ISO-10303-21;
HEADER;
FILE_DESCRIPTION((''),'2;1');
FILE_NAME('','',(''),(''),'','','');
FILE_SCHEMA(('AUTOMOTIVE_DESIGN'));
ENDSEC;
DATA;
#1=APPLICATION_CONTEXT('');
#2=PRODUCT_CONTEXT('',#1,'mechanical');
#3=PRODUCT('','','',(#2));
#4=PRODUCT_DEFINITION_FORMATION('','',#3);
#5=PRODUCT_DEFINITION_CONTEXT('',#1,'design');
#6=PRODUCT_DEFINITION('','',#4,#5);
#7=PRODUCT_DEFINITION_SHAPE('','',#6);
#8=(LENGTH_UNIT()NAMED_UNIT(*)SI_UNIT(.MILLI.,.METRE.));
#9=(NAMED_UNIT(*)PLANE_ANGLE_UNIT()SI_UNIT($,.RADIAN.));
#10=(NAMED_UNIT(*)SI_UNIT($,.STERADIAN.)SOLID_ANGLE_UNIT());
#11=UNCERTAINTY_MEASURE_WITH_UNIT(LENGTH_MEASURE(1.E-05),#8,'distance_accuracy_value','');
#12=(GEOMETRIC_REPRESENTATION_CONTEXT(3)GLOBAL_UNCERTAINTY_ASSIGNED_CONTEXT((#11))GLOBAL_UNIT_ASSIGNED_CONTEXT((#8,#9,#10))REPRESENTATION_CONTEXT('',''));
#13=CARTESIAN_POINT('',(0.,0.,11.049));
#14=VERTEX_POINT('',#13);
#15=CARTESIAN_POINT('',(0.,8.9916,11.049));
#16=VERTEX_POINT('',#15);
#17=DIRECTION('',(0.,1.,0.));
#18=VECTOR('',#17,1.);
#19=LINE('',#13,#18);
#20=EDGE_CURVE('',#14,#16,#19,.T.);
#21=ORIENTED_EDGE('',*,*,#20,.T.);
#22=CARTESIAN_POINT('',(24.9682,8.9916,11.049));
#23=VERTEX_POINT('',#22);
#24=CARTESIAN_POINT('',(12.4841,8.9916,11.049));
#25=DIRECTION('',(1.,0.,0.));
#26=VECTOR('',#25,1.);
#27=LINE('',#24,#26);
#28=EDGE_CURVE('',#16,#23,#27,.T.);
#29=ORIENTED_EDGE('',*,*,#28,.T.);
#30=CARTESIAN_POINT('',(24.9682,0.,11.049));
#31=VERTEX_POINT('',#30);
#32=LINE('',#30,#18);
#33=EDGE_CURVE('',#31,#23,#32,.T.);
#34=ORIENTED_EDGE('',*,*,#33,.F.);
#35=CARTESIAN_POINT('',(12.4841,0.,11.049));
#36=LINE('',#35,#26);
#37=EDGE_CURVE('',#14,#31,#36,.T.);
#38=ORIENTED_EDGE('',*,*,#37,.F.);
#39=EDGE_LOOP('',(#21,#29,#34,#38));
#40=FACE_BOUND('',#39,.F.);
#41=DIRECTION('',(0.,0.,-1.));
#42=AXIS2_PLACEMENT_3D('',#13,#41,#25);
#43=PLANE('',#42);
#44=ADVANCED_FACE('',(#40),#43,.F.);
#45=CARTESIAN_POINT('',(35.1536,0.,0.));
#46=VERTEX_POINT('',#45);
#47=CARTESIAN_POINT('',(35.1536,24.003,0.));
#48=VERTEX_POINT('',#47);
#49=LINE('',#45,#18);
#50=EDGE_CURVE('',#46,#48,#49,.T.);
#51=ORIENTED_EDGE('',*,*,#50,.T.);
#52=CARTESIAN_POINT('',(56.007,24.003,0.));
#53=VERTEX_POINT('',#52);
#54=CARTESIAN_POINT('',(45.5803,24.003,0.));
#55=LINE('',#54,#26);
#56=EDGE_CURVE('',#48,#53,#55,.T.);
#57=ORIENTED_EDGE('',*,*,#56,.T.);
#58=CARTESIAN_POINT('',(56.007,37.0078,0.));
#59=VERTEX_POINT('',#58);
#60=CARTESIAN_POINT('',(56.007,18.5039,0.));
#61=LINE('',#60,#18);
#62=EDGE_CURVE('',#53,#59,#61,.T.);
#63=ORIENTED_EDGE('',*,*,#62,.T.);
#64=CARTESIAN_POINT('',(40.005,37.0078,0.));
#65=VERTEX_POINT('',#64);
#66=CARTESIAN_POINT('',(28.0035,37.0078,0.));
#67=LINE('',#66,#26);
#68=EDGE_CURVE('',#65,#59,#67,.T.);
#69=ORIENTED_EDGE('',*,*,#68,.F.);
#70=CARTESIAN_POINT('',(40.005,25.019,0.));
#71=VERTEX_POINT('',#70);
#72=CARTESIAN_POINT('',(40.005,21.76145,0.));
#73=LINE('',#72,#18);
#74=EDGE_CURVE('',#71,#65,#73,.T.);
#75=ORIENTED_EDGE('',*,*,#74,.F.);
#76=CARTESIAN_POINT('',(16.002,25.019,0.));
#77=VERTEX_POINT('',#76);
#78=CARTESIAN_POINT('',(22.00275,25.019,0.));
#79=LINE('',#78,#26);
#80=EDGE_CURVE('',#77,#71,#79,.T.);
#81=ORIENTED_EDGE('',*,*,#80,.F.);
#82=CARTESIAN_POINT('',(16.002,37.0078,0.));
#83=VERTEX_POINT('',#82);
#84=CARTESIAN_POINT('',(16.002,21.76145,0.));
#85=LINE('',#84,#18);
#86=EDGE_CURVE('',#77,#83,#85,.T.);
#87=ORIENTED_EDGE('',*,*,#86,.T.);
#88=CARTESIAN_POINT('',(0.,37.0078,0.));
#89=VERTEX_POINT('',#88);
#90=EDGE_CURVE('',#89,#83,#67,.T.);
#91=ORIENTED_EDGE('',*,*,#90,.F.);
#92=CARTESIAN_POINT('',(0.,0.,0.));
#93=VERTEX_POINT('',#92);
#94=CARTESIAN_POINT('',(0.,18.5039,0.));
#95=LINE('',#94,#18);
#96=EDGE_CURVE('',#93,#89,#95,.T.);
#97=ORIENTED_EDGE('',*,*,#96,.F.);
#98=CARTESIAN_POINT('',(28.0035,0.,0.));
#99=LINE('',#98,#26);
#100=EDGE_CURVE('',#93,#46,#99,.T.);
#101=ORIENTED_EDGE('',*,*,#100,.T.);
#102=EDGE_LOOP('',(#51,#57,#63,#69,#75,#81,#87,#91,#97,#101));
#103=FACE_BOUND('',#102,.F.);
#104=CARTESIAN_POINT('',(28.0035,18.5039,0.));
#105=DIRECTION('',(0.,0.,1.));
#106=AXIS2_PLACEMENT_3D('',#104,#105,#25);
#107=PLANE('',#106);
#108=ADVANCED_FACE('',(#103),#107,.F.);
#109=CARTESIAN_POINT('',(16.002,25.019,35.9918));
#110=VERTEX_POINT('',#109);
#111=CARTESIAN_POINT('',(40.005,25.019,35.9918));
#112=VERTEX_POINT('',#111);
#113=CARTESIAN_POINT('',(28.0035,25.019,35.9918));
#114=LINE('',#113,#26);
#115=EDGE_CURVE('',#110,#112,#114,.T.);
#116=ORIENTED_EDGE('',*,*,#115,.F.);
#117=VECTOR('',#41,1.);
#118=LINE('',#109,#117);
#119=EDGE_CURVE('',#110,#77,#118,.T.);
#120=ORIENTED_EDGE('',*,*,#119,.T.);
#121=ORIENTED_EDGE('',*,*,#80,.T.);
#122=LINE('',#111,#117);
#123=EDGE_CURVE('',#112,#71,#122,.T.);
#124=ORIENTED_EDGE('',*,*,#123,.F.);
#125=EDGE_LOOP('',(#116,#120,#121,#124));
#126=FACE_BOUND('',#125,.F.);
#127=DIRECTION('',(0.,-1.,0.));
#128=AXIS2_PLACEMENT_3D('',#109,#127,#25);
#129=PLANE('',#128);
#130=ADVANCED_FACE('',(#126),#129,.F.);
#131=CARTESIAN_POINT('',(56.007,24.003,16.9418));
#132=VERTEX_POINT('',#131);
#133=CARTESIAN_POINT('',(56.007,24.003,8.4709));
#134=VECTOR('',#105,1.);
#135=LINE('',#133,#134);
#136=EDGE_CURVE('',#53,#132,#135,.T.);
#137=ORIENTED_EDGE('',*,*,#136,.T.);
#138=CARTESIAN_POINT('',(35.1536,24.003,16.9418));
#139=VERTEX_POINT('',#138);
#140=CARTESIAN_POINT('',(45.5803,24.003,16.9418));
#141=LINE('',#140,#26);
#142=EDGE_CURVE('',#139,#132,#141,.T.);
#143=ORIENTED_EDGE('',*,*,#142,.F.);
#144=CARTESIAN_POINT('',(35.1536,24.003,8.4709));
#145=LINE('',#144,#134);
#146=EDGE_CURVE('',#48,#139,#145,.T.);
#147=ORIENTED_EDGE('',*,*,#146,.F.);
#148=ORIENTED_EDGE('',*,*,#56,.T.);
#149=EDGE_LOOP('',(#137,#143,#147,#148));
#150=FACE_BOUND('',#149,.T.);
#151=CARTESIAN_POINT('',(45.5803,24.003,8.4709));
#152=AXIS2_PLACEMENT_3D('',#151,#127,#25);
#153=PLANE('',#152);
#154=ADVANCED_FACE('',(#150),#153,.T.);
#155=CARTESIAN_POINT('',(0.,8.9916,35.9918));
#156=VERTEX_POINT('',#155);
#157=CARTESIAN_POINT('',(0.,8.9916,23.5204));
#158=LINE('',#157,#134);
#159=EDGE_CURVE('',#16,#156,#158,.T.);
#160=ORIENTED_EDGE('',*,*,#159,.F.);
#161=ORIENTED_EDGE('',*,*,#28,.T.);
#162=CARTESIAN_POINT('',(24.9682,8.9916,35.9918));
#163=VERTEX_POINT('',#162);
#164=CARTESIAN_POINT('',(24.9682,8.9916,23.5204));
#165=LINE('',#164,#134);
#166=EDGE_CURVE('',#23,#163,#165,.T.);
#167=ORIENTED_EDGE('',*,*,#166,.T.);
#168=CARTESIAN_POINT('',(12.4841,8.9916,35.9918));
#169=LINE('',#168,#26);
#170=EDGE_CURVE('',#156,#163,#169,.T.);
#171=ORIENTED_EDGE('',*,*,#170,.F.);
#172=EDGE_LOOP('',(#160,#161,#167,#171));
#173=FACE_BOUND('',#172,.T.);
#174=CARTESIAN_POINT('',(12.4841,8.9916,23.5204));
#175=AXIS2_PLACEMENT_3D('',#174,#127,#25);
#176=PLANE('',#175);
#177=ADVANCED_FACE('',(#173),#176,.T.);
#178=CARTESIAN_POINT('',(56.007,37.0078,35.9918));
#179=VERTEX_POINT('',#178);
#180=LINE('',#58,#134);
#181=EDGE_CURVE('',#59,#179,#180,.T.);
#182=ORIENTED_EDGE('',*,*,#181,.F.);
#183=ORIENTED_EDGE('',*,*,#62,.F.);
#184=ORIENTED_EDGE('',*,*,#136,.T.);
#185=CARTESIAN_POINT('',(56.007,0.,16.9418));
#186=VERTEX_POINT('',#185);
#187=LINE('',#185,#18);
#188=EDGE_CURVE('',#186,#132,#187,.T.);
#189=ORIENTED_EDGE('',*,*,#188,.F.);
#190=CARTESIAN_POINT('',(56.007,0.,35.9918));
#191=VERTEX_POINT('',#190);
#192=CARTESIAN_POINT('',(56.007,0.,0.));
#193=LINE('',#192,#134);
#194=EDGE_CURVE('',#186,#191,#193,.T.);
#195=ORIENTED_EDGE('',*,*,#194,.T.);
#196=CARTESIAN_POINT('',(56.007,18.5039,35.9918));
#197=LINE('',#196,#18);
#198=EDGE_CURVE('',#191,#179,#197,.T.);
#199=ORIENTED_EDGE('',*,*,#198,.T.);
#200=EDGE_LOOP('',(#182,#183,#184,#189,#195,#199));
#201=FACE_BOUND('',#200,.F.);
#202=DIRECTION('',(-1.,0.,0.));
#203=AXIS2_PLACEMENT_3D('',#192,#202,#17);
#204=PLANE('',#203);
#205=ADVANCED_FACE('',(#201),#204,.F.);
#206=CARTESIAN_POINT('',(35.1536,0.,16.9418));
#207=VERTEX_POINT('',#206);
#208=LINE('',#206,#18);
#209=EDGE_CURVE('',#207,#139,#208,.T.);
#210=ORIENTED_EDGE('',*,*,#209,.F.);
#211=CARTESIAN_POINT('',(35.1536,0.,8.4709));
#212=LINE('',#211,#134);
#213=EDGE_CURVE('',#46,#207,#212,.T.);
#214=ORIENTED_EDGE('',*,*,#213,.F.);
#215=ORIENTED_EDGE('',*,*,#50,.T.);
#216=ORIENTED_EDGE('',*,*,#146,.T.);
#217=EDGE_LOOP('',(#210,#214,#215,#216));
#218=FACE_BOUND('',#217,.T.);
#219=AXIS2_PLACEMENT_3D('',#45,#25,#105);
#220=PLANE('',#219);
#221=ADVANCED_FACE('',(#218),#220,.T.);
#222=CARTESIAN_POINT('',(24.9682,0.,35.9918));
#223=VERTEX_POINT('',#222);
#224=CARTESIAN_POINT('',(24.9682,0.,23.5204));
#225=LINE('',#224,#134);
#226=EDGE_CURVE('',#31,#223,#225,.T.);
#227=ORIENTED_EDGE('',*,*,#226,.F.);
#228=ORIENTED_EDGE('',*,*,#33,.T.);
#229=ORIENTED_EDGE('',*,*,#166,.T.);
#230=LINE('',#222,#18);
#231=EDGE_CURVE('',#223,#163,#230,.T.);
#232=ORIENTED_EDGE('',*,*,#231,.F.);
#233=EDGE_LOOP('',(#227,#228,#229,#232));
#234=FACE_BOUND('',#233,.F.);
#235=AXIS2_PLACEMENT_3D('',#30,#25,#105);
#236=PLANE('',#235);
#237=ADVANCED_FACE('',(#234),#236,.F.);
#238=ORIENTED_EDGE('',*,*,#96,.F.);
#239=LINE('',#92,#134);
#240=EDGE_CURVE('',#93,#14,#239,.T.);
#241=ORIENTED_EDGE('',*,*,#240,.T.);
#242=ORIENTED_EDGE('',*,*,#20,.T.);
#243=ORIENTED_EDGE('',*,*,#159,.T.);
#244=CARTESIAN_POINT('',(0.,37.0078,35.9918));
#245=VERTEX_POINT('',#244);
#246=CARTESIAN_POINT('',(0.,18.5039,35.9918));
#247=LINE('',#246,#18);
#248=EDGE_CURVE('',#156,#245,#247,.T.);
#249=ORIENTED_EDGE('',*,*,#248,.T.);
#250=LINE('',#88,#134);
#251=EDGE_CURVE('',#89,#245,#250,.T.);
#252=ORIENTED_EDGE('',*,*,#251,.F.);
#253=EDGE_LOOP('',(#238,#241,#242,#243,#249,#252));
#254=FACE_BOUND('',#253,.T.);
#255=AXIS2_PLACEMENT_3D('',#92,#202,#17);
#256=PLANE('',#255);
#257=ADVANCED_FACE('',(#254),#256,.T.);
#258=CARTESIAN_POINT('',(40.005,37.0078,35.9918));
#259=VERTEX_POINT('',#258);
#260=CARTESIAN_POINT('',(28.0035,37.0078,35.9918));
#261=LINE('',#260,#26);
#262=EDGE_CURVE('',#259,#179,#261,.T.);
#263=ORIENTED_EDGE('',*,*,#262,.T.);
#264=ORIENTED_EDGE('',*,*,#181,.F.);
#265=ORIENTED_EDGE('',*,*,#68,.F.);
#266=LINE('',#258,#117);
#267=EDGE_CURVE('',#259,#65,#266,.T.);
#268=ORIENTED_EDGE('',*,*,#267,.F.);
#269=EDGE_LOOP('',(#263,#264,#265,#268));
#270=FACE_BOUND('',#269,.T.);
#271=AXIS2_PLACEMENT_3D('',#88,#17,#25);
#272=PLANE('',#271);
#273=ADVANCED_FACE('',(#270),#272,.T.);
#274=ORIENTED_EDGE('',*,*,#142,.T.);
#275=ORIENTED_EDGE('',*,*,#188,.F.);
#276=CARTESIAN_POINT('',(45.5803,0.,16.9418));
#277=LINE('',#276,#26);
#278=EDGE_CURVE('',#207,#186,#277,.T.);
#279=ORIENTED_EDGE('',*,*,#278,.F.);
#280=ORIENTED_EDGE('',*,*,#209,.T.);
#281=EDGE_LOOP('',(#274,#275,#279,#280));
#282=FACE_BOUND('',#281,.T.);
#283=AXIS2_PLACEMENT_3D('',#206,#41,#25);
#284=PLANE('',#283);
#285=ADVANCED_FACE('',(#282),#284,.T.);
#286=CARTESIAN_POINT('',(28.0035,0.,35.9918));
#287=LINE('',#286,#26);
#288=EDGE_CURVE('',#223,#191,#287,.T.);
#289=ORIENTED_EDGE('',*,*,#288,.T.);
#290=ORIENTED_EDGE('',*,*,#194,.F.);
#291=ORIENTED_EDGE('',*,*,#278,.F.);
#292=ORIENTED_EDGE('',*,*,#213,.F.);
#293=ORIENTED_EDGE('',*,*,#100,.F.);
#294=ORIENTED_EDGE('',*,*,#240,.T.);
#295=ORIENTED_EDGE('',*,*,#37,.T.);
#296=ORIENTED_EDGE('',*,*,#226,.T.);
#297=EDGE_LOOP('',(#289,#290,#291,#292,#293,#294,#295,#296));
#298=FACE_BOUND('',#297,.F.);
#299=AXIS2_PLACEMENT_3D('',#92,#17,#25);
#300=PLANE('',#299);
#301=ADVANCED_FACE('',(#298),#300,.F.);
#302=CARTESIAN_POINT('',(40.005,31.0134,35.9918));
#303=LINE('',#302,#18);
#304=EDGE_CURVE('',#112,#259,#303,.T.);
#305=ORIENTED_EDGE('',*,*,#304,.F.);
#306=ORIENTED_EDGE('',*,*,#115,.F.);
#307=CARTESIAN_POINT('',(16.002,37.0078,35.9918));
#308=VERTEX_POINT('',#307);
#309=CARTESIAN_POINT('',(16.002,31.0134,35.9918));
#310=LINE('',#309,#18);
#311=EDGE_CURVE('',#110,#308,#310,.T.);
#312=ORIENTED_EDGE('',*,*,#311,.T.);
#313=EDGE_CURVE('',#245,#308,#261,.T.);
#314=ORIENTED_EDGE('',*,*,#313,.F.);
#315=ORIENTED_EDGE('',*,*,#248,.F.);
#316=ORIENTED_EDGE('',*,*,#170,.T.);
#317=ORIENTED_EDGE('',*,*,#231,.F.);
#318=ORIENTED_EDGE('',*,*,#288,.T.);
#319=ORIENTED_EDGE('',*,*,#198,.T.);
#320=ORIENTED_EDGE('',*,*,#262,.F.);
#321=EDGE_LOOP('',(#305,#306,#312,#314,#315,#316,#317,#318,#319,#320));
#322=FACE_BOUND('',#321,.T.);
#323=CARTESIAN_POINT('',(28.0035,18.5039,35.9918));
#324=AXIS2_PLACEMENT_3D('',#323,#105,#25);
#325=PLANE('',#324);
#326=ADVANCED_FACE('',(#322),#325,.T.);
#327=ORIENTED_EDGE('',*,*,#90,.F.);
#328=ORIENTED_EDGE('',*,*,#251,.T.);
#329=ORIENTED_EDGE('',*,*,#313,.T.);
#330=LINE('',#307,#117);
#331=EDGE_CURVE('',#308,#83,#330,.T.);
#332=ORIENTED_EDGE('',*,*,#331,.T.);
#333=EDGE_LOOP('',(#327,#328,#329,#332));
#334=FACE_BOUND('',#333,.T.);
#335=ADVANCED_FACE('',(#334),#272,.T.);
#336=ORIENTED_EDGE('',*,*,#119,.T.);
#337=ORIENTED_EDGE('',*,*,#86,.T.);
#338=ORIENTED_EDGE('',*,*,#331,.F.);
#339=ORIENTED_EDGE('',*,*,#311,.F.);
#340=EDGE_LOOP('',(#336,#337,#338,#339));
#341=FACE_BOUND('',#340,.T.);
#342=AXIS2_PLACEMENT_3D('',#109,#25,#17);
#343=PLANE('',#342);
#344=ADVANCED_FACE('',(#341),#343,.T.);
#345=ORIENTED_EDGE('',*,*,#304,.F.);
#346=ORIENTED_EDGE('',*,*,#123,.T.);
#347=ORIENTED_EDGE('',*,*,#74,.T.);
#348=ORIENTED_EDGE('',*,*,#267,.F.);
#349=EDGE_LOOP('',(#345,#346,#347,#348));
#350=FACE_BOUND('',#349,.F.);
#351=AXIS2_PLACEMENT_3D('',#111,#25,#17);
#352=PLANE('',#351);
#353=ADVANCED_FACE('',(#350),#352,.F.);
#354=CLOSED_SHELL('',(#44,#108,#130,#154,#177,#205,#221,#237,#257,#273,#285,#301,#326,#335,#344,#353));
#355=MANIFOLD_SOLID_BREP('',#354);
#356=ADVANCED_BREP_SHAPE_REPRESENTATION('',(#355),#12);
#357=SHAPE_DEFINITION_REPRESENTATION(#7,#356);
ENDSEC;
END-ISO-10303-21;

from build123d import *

# Parameters (mm, degrees)
F0_W     = 56.007
F0_H     = 37.0078
F1_DEPTH = 35.9918
F2_W     = 24.003
F2_H     = 11.9888
F3_DEPTH = 81.534
F4_W     = 24.9682
F4_H     = 24.9428
F5_DEPTH = 8.9916
F6_W     = 20.8534
F6_H     = 16.9418
F7_DEPTH = 24.003


with BuildPart() as f1:
    # F0 (on Top) → F1 (new body)
    with BuildSketch(Plane.XY):
        with Locations((28.0035, 18.5039)):
            Rectangle(F0_W, F0_H)
    extrude(amount=F1_DEPTH)

    # F2 (on face) → F3 (cut)
    with BuildSketch(Plane.XY.offset(35.9918)):
        with Locations((28.0035, 31.0134)):
            Rectangle(F2_W, F2_H)
    extrude(amount=-F3_DEPTH, mode=Mode.SUBTRACT)

    # F4 (on face) → F5 (cut)
    with BuildSketch(Plane.XZ):
        with Locations((12.4841, 23.5204)):
            Rectangle(F4_W, F4_H)
    extrude(amount=-F5_DEPTH, mode=Mode.SUBTRACT)

    # F6 (on face) → F7 (cut)
    with BuildSketch(Plane.XZ):
        with Locations((45.5803, 8.4709)):
            Rectangle(F6_W, F6_H)
    extrude(amount=-F7_DEPTH, mode=Mode.SUBTRACT)


solid = f1.part
